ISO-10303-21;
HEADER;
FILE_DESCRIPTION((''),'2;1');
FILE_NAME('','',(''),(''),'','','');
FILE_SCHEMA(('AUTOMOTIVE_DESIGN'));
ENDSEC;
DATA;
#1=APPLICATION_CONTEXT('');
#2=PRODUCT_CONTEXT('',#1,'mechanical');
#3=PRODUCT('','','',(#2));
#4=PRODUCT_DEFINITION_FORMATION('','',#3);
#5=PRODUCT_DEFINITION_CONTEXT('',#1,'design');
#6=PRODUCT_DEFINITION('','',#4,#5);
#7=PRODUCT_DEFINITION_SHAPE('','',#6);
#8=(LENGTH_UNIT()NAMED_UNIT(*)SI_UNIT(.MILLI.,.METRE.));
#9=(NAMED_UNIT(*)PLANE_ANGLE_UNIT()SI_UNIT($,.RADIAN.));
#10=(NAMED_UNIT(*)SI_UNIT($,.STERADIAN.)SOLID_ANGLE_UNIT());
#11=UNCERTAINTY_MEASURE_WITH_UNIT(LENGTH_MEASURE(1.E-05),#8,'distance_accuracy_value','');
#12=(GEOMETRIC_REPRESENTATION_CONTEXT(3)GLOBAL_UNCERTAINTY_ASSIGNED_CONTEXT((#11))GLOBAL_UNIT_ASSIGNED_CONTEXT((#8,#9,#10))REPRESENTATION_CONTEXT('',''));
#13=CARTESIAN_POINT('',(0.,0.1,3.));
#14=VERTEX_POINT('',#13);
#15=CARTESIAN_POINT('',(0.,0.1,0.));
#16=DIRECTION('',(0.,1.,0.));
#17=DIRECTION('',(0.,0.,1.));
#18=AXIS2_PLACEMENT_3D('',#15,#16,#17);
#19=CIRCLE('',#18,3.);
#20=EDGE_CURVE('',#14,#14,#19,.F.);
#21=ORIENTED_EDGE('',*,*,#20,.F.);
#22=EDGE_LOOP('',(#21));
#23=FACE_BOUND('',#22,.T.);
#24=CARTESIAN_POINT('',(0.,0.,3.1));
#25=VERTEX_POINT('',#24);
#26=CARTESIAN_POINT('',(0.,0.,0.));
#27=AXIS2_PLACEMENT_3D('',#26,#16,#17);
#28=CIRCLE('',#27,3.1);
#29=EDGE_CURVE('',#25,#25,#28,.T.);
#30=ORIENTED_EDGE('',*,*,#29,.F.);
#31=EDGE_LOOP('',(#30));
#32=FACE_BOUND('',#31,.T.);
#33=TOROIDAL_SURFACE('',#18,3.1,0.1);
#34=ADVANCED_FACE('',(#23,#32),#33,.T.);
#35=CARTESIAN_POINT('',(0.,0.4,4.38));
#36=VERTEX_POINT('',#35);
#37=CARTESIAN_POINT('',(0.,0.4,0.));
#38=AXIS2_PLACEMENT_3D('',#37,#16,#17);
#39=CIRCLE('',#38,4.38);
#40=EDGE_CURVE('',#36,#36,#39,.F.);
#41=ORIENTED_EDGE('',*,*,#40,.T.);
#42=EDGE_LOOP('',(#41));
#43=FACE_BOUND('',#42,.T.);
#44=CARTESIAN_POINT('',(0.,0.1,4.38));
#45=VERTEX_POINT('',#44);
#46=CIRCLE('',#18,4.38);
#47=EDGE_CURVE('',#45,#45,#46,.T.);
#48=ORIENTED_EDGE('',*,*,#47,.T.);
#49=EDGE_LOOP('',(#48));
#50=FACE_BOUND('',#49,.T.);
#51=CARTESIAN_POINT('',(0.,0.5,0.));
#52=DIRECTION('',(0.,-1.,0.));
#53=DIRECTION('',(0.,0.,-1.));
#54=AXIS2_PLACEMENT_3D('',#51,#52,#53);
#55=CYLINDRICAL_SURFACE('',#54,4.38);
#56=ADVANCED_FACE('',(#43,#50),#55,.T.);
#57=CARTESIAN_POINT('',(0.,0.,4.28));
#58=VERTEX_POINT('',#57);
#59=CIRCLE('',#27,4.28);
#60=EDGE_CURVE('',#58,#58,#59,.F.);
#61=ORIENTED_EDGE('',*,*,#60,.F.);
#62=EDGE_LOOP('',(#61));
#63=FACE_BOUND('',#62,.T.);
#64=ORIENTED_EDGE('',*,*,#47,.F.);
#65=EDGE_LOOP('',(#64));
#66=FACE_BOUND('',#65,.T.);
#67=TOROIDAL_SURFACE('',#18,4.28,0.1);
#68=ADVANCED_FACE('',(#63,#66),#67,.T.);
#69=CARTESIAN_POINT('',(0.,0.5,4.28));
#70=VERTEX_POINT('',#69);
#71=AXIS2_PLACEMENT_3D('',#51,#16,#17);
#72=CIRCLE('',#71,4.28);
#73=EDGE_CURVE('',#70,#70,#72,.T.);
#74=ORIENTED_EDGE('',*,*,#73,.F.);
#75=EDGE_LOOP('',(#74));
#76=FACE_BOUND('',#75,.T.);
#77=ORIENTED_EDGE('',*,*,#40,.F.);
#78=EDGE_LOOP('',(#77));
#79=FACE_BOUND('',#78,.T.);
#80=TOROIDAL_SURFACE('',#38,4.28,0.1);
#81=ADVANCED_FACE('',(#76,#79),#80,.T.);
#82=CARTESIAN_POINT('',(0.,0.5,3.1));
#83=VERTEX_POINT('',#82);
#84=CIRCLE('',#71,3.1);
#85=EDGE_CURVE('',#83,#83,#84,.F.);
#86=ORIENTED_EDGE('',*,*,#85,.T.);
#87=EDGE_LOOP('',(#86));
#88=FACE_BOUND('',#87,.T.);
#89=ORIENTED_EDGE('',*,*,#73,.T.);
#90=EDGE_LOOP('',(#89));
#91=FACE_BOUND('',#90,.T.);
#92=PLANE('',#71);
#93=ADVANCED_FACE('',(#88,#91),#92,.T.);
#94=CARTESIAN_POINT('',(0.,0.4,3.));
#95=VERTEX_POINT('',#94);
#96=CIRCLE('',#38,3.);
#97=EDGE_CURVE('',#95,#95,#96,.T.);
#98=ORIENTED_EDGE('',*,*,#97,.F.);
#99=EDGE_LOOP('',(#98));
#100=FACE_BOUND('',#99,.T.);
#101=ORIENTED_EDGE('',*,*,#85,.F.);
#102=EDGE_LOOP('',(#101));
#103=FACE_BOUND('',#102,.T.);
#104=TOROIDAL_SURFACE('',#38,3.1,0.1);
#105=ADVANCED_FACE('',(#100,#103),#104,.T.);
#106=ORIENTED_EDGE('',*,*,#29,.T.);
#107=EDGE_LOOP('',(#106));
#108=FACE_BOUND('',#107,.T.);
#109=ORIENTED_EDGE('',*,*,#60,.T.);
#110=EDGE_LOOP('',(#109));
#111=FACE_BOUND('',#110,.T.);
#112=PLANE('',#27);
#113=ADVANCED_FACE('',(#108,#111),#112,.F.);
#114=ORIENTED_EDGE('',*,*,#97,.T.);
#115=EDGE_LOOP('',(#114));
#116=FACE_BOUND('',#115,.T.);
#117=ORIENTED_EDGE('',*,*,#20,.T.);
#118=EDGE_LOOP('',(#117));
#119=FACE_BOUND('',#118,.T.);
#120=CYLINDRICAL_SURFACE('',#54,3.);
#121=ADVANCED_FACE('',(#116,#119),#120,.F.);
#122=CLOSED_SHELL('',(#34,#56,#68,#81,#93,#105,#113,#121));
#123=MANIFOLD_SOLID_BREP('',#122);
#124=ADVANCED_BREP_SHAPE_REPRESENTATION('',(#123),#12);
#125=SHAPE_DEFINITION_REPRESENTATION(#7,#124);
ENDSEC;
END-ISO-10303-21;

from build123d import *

# Parameters (mm, degrees)
SKETCH2_R           = 4.38
SKETCH2_R_2         = 3
BOSS_EXTRUDE1_DEPTH = 0.5
FILLET1_R           = 0.1


with BuildPart() as part:
    # Sketch2 → Boss-Extrude1 (new body)
    with BuildSketch(Plane(origin=(0, 0, 0), x_dir=(1, 0, 0), z_dir=(0, 1, 0))):
        Circle(SKETCH2_R)
        Circle(SKETCH2_R_2, mode=Mode.SUBTRACT)
    extrude(amount=BOSS_EXTRUDE1_DEPTH)

    # Fillet1
    fillet1_edges = [part.edges().sort_by_distance(p)[0] for p in [
        (-4.38, 0, 0),
        (-4.38, 0.5, 0),
        (-3, 0, 0),
        (-3, 0.5, 0),
    ]]
    fillet(fillet1_edges, radius=FILLET1_R)


solid = part.part
